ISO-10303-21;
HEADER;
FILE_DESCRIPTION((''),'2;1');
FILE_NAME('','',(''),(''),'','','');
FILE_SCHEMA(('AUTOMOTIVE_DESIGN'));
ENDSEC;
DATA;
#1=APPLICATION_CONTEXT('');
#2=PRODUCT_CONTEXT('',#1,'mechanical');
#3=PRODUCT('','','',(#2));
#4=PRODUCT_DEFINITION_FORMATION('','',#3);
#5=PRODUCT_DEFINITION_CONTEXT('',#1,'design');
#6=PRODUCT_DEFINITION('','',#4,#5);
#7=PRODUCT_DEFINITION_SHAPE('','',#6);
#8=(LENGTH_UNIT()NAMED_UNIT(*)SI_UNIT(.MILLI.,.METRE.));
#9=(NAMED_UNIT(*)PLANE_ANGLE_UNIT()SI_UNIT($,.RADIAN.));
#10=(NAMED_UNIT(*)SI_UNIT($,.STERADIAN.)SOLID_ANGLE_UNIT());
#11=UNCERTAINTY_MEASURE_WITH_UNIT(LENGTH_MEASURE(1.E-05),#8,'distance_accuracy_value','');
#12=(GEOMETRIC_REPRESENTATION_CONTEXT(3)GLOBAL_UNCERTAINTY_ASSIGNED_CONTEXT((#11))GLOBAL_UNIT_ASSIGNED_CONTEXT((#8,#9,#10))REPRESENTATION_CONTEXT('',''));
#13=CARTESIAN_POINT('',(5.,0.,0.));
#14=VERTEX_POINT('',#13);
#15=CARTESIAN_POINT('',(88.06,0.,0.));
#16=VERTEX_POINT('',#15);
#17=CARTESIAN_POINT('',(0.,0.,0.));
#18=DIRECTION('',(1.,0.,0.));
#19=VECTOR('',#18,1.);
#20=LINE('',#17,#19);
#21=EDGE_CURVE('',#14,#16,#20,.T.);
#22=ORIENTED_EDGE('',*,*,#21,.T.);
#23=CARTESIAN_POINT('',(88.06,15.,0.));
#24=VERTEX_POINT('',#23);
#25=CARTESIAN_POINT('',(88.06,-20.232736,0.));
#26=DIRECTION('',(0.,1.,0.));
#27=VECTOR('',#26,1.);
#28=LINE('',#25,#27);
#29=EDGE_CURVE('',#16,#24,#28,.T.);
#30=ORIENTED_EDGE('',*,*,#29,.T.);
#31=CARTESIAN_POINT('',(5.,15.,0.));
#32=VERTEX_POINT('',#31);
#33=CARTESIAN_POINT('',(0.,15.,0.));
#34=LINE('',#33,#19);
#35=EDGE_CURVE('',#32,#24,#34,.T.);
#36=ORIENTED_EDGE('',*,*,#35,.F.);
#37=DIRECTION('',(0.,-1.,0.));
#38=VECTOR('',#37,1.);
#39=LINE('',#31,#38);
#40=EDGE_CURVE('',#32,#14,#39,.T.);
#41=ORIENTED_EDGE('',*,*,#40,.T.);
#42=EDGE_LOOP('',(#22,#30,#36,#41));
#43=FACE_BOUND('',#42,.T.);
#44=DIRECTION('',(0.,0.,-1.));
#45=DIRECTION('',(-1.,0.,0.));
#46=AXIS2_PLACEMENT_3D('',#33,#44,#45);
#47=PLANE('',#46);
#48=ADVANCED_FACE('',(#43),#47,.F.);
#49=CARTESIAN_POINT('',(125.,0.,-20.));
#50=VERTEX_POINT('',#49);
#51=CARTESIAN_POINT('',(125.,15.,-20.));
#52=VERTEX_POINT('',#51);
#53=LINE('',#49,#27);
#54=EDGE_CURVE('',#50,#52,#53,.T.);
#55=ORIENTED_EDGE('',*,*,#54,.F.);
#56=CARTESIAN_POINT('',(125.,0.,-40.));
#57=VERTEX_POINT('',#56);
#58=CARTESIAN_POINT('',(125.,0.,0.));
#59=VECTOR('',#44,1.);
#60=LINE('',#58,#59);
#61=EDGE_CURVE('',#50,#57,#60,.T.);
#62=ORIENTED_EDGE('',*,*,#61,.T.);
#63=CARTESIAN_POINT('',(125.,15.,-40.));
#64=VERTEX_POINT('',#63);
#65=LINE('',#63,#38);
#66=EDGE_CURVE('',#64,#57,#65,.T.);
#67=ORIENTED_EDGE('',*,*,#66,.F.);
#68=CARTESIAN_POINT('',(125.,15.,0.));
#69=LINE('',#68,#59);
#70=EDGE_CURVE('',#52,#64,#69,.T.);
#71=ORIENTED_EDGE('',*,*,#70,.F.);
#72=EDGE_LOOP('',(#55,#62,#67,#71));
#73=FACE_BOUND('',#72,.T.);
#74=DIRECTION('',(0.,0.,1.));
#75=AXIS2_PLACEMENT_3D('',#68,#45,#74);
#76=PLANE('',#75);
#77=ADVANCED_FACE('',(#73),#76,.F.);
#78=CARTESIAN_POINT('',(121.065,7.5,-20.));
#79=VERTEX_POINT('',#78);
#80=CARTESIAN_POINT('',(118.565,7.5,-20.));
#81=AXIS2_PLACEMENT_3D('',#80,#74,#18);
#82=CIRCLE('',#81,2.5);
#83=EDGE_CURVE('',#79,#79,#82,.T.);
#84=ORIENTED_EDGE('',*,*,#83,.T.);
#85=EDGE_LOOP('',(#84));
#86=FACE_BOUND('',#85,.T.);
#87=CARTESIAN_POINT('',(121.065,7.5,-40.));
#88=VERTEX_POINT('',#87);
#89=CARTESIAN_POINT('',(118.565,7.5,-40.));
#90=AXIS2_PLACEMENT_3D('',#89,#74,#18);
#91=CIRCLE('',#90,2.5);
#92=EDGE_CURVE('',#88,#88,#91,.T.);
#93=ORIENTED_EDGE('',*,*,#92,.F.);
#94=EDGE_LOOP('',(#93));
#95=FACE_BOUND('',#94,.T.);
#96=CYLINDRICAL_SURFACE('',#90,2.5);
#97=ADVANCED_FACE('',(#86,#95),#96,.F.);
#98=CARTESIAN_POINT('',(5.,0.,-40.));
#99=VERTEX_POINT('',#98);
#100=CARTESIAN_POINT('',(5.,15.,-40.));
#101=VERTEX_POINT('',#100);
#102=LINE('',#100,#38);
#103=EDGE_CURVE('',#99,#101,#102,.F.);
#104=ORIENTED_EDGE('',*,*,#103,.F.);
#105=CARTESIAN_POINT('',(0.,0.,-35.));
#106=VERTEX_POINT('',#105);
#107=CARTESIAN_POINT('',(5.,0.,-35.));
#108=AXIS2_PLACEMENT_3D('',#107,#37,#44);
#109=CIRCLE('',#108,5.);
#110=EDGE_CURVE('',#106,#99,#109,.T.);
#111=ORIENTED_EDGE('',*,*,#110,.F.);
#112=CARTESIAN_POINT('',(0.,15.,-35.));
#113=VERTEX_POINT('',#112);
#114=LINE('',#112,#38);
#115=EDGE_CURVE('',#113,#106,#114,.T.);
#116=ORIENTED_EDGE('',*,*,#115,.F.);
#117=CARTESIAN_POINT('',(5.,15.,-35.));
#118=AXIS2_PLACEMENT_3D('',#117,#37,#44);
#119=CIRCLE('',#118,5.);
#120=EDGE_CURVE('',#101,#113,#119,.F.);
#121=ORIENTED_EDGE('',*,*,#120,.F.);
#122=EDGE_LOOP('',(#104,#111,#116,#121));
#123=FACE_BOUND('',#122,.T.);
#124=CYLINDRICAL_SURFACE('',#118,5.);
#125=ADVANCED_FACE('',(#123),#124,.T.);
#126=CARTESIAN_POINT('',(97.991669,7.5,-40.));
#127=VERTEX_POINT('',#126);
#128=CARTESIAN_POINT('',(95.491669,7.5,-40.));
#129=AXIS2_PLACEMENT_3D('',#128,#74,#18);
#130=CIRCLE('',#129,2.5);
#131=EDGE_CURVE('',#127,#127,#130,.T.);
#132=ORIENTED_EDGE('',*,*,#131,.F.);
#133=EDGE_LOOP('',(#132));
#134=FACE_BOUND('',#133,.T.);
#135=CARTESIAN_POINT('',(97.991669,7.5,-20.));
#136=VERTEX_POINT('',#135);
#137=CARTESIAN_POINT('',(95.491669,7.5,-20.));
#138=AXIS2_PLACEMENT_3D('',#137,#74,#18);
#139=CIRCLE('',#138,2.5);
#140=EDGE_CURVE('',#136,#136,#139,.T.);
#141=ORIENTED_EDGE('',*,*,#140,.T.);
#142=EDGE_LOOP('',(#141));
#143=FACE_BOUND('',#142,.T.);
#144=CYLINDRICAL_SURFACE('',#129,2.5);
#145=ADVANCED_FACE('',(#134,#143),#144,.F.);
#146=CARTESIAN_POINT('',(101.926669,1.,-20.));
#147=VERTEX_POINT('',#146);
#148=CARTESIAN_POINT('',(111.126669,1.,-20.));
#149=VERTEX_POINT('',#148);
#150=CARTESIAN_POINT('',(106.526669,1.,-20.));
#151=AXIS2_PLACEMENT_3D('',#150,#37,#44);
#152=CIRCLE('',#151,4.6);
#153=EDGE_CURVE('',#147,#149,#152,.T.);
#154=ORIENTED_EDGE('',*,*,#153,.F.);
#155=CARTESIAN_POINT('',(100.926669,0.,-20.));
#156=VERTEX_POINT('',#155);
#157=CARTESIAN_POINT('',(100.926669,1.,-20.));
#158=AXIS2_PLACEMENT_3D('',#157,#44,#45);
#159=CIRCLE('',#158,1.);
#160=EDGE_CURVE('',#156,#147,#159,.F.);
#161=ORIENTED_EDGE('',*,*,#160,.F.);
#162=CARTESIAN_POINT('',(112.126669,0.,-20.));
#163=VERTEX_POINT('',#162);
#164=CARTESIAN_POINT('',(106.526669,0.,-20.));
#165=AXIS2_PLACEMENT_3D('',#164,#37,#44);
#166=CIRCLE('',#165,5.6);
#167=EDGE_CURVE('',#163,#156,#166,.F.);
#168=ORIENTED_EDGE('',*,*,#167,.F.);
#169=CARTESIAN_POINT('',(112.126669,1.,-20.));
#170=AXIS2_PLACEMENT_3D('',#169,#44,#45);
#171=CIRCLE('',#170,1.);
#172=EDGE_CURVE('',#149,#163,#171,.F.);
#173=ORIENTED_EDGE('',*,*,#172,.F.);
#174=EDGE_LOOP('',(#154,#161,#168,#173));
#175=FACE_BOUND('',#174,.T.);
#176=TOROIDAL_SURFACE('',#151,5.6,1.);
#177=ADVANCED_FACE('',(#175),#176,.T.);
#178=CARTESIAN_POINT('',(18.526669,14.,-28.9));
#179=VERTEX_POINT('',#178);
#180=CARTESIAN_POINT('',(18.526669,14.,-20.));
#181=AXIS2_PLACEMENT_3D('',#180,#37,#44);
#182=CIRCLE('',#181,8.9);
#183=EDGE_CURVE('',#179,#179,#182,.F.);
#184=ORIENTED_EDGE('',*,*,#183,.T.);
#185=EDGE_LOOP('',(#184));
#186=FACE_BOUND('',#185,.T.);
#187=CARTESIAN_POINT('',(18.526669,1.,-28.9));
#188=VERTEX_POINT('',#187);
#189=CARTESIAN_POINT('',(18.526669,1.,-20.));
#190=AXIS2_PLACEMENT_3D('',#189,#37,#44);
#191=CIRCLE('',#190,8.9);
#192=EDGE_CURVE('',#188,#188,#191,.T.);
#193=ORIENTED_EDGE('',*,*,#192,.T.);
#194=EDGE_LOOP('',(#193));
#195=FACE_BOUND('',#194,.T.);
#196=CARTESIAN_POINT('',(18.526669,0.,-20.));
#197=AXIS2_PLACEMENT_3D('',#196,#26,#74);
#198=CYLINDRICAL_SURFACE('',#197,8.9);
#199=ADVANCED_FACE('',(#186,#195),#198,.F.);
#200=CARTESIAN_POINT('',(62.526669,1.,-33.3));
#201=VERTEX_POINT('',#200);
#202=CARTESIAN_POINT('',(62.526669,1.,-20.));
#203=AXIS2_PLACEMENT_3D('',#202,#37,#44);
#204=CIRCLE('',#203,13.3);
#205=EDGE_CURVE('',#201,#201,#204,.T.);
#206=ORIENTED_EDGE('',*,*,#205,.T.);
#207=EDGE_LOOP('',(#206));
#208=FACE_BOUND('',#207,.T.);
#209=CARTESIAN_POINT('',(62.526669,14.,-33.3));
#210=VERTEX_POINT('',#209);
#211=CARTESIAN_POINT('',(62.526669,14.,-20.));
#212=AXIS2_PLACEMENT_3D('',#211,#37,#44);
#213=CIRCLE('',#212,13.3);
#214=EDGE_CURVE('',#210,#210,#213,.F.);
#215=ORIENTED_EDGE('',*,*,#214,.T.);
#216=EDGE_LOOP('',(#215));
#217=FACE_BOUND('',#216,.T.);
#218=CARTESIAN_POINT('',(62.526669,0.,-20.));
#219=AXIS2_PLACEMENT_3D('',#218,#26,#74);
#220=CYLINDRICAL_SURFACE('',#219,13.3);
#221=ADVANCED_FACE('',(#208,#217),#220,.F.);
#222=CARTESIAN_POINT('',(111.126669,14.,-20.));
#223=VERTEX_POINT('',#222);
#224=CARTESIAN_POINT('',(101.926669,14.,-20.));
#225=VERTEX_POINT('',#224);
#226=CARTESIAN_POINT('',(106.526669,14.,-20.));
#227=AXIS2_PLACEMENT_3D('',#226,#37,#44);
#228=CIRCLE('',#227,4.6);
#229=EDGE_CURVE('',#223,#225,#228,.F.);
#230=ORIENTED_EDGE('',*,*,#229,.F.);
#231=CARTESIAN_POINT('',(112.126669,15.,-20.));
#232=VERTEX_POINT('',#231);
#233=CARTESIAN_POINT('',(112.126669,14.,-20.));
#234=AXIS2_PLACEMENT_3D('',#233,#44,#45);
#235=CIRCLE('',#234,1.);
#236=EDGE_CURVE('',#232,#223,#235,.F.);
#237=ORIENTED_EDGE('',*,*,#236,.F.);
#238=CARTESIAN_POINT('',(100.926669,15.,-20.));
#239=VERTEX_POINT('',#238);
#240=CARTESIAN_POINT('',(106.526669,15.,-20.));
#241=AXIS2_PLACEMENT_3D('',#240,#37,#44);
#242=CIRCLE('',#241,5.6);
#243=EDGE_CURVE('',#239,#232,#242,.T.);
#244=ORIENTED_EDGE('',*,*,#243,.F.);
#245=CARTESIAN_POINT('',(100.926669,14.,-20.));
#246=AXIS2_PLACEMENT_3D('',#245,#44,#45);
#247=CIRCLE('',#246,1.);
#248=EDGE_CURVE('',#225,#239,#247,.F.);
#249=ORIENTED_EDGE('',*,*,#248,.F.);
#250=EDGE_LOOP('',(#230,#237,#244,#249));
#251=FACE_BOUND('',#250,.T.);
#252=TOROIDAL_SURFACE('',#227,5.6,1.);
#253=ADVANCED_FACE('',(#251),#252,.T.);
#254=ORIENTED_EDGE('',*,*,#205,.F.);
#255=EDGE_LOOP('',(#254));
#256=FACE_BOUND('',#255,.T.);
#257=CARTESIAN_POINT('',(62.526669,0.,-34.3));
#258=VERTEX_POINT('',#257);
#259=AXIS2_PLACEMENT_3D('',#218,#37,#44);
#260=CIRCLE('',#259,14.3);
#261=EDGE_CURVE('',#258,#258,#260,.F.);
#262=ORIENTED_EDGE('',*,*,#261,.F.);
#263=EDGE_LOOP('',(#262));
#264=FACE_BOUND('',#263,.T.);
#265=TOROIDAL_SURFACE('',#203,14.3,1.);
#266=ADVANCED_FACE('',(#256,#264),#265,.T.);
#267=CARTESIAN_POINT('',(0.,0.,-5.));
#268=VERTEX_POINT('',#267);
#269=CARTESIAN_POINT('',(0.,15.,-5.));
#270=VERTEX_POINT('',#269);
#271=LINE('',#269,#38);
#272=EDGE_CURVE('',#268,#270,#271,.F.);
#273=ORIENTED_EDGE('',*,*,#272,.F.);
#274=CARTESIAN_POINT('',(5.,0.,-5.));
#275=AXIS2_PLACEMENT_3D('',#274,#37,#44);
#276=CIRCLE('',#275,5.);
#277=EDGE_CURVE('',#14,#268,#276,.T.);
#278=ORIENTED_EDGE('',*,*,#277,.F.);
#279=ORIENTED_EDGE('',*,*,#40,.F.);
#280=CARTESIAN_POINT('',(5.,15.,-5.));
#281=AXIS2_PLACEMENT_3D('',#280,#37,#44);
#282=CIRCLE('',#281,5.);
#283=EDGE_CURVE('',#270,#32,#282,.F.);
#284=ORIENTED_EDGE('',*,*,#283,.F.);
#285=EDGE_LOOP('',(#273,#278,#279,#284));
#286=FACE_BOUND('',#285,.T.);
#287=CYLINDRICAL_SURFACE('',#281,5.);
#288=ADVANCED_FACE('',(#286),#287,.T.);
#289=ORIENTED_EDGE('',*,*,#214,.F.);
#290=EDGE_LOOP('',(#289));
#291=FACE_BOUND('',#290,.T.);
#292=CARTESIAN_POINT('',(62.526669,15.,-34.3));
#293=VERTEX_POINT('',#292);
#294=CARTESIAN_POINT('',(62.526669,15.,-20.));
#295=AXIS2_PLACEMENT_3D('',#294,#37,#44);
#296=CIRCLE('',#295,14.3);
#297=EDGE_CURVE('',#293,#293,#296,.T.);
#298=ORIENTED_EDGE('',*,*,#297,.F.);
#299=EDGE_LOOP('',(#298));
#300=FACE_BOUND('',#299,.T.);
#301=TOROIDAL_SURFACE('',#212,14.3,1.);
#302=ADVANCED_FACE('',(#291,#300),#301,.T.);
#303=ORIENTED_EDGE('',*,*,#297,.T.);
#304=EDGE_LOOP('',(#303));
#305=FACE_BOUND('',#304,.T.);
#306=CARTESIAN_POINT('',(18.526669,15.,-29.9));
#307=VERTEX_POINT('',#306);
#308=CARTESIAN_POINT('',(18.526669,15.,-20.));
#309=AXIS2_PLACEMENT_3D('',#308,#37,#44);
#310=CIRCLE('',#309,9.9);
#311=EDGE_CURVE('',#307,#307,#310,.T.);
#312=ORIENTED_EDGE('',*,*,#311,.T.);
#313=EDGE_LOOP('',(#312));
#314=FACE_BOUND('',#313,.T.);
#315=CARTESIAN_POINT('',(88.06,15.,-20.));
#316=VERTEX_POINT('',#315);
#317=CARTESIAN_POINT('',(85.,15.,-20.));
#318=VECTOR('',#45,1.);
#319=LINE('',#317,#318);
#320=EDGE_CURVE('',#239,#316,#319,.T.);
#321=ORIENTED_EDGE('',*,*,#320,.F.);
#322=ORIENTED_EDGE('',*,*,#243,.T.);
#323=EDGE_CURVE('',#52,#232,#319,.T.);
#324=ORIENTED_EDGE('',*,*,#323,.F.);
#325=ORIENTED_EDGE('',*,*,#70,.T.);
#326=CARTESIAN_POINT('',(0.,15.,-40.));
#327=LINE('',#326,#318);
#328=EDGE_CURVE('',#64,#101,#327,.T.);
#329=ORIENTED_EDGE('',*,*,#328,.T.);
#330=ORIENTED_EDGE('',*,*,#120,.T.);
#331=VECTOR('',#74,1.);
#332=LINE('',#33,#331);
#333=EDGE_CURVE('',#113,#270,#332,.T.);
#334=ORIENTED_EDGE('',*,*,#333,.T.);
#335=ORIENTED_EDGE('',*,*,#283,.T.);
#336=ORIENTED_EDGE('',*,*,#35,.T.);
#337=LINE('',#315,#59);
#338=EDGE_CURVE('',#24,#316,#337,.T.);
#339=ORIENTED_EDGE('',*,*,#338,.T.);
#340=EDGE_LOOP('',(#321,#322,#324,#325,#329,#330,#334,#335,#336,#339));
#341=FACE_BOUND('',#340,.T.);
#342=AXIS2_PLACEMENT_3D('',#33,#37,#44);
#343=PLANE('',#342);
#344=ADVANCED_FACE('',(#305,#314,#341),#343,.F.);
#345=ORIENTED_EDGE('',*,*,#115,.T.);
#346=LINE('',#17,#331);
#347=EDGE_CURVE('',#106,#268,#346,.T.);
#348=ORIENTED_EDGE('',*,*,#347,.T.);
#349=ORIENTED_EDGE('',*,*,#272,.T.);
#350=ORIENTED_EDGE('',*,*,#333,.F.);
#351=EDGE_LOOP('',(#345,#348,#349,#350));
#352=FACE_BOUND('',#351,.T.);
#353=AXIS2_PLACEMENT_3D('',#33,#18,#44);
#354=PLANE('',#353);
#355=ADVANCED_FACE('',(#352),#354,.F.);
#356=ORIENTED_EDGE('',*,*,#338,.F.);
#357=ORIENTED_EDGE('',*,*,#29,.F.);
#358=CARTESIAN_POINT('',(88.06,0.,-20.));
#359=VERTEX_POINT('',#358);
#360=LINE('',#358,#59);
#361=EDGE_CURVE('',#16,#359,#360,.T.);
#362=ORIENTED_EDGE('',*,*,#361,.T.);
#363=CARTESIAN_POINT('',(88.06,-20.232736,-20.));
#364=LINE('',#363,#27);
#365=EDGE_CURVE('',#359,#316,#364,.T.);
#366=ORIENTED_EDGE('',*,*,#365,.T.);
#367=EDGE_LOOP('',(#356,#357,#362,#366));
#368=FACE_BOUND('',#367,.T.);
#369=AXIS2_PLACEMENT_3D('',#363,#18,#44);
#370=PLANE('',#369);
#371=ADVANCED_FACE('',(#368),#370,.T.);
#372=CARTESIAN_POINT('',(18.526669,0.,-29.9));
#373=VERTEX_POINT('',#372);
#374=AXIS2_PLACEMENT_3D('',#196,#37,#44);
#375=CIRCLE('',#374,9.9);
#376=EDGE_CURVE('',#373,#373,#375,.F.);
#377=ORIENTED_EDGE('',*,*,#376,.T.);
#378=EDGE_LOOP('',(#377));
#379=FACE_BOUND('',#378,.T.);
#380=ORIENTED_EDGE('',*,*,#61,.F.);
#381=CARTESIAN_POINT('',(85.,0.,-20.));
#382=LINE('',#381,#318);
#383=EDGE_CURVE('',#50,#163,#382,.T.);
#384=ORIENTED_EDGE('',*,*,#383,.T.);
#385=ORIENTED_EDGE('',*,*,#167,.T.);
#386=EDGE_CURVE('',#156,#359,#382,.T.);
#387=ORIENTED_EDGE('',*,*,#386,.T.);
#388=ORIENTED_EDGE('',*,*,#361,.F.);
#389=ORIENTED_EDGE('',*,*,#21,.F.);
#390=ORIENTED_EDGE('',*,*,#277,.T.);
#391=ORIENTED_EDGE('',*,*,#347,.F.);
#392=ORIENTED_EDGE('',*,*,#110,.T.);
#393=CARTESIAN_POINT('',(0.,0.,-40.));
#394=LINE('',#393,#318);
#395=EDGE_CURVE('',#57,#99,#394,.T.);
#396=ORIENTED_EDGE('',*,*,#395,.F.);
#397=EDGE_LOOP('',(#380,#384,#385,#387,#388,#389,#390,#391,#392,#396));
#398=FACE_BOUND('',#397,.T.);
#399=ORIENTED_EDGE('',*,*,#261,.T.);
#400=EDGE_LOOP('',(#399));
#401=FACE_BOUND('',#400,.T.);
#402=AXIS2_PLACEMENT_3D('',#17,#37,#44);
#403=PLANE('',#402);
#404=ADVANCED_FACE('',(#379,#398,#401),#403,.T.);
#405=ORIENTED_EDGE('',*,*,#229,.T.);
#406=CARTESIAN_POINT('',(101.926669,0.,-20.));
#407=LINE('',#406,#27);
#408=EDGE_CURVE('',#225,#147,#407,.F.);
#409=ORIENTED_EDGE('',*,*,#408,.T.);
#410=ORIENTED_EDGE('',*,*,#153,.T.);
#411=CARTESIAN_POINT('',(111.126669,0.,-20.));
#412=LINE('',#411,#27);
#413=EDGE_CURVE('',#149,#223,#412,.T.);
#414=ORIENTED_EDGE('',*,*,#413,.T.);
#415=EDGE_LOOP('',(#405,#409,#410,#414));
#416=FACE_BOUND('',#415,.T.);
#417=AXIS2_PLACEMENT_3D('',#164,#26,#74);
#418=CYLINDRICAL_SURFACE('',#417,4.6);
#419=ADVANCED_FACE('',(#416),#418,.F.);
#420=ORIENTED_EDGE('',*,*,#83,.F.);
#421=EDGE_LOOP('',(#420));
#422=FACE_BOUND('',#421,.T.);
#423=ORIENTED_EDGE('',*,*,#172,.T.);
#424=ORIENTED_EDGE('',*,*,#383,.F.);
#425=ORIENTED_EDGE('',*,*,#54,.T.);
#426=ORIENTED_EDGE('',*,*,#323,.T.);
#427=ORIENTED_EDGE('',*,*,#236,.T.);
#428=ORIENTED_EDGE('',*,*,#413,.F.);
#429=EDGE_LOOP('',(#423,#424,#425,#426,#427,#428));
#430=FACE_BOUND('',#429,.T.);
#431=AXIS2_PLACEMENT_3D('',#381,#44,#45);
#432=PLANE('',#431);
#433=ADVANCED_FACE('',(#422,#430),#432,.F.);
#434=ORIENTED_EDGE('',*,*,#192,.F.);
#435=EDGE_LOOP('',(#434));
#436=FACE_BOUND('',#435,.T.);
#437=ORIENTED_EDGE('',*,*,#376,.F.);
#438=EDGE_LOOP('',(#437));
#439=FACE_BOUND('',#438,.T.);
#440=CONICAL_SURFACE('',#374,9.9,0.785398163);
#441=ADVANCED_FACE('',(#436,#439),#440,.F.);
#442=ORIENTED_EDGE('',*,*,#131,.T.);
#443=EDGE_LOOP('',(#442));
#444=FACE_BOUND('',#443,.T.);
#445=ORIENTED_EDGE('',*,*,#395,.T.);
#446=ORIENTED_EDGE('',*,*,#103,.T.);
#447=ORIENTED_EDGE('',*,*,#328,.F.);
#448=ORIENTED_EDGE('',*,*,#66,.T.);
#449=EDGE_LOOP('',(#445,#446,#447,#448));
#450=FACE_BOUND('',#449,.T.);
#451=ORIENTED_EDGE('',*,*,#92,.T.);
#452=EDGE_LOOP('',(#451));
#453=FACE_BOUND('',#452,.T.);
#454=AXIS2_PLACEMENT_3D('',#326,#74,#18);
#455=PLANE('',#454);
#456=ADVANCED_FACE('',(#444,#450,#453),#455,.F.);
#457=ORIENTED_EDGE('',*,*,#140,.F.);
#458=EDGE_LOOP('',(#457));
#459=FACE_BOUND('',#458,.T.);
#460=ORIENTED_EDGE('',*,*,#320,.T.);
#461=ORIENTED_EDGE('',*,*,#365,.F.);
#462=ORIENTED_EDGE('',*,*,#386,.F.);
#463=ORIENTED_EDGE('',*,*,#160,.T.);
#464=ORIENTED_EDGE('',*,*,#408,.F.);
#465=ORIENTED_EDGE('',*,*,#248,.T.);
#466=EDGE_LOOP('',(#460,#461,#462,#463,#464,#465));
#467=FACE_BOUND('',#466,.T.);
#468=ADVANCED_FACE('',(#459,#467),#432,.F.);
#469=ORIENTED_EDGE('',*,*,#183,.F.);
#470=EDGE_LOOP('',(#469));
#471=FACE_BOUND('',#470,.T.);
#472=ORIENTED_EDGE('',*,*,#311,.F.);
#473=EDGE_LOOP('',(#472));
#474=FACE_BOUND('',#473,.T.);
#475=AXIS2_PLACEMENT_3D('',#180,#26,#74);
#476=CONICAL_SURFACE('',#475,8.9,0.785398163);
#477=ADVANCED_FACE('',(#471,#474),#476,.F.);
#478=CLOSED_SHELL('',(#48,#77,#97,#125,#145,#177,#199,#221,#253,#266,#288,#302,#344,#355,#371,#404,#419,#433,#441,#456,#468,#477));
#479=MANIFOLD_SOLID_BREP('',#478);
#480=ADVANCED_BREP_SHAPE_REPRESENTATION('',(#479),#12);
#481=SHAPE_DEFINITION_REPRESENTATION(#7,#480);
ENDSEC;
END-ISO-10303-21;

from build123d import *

# Parameters (mm, degrees)
SKETCH_1_W          = 125
SKETCH_1_H          = 40
EXTRUDE_1_DEPTH     = 15
SKETCH_2_R          = 8.9
SKETCH_2_R_2        = 4.6
SKETCH_2_R_3        = 13.3
CUT_EXTRUDE_1_DEPTH = 133.098448136
CHAMFER_1_SIZE      = 1
CHAMFER_2_SIZE      = 1
FILLET_1_R          = 1
SKETCH_5_W          = 40
SKETCH_5_H          = 20
CUT_EXTRUDE_2_DEPTH = 133.098448148
FILLET_4_R          = 5
SKETCH_12_W         = 3.06
SKETCH_12_H         = 20
EXTRUDE_2_DEPTH     = 15
SKETCH_14_R         = 2.5
CUT_EXTRUDE_3_DEPTH = 128.47548784


with BuildPart() as part:
    # 草圖1 → 填料-伸長1 (new body)
    with BuildSketch(Plane(origin=(0, 0, 0), x_dir=(1, 0, 0), z_dir=(0, 1, 0))):
        with Locations((62.5, 20)):
            Rectangle(SKETCH_1_W, SKETCH_1_H)
    extrude(amount=EXTRUDE_1_DEPTH)

    # 草圖2 → 除料-伸長1 (cut, through all)
    with BuildSketch(Plane(origin=(0, 15, 0), x_dir=(1, 0, 0), z_dir=(0, 1, 0))):
        with Locations(Location((18.526668527, 20, 0), (0, 0, 270))):
            Circle(SKETCH_2_R)
        with Locations(Location((106.526668527, 20, 0), (0, 0, 270))):
            Circle(SKETCH_2_R_2)
        with Locations(Location((62.526668527, 20, 0), (0, 0, 270))):
            Circle(SKETCH_2_R_3)
    extrude(amount=-CUT_EXTRUDE_1_DEPTH, mode=Mode.SUBTRACT)

    # 導角1
    chamfer_1_edges = [part.edges().sort_by_distance(p)[0] for p in [
        (18.526668527, 15, -28.9),
    ]]
    chamfer(chamfer_1_edges, length=CHAMFER_1_SIZE)

    # 導角2
    chamfer_2_edges = [part.edges().sort_by_distance(p)[0] for p in [
        (18.526668527, 0, -28.9),
    ]]
    chamfer(chamfer_2_edges, length=CHAMFER_2_SIZE)

    # 圓角1
    fillet_1_edges = [part.edges().sort_by_distance(p)[0] for p in [
        (106.526668527, 0, -24.6),
        (106.526668527, 15, -24.6),
        (62.526668527, 0, -33.3),
        (62.526668527, 15, -33.3),
    ]]
    fillet(fillet_1_edges, radius=FILLET_1_R)

    # 草圖5 → 除料-伸長2 (cut, through all)
    with BuildSketch(Plane(origin=(0, 15, 0), x_dir=(1, 0, 0), z_dir=(0, 1, 0))):
        with Locations((105, 10)):
            Rectangle(SKETCH_5_W, SKETCH_5_H)
    extrude(amount=-CUT_EXTRUDE_2_DEPTH, mode=Mode.SUBTRACT)

    # 圓角4
    fillet_4_edges = [part.edges().sort_by_distance(p)[0] for p in [
        (0, 7.5, -40),
        (0, 7.5, 0),
    ]]
    fillet(fillet_4_edges, radius=FILLET_4_R)

    # 草圖12 → 填料-伸長2 (add)
    with BuildSketch(Plane(origin=(0, 15, 0), x_dir=(1, 0, 0), z_dir=(0, 1, 0))):
        with Locations((86.53, 10)):
            Rectangle(SKETCH_12_W, SKETCH_12_H)
    extrude(amount=-EXTRUDE_2_DEPTH)

    # 草圖14 → 除料-伸長3 (cut, through all)
    with BuildSketch(Plane.XY.offset(-20)):
        with Locations((118.565, 7.5)):
            Circle(SKETCH_14_R)
        with Locations((95.491668527, 7.5)):
            Circle(SKETCH_14_R)
    extrude(amount=-CUT_EXTRUDE_3_DEPTH, mode=Mode.SUBTRACT)


solid = part.part
